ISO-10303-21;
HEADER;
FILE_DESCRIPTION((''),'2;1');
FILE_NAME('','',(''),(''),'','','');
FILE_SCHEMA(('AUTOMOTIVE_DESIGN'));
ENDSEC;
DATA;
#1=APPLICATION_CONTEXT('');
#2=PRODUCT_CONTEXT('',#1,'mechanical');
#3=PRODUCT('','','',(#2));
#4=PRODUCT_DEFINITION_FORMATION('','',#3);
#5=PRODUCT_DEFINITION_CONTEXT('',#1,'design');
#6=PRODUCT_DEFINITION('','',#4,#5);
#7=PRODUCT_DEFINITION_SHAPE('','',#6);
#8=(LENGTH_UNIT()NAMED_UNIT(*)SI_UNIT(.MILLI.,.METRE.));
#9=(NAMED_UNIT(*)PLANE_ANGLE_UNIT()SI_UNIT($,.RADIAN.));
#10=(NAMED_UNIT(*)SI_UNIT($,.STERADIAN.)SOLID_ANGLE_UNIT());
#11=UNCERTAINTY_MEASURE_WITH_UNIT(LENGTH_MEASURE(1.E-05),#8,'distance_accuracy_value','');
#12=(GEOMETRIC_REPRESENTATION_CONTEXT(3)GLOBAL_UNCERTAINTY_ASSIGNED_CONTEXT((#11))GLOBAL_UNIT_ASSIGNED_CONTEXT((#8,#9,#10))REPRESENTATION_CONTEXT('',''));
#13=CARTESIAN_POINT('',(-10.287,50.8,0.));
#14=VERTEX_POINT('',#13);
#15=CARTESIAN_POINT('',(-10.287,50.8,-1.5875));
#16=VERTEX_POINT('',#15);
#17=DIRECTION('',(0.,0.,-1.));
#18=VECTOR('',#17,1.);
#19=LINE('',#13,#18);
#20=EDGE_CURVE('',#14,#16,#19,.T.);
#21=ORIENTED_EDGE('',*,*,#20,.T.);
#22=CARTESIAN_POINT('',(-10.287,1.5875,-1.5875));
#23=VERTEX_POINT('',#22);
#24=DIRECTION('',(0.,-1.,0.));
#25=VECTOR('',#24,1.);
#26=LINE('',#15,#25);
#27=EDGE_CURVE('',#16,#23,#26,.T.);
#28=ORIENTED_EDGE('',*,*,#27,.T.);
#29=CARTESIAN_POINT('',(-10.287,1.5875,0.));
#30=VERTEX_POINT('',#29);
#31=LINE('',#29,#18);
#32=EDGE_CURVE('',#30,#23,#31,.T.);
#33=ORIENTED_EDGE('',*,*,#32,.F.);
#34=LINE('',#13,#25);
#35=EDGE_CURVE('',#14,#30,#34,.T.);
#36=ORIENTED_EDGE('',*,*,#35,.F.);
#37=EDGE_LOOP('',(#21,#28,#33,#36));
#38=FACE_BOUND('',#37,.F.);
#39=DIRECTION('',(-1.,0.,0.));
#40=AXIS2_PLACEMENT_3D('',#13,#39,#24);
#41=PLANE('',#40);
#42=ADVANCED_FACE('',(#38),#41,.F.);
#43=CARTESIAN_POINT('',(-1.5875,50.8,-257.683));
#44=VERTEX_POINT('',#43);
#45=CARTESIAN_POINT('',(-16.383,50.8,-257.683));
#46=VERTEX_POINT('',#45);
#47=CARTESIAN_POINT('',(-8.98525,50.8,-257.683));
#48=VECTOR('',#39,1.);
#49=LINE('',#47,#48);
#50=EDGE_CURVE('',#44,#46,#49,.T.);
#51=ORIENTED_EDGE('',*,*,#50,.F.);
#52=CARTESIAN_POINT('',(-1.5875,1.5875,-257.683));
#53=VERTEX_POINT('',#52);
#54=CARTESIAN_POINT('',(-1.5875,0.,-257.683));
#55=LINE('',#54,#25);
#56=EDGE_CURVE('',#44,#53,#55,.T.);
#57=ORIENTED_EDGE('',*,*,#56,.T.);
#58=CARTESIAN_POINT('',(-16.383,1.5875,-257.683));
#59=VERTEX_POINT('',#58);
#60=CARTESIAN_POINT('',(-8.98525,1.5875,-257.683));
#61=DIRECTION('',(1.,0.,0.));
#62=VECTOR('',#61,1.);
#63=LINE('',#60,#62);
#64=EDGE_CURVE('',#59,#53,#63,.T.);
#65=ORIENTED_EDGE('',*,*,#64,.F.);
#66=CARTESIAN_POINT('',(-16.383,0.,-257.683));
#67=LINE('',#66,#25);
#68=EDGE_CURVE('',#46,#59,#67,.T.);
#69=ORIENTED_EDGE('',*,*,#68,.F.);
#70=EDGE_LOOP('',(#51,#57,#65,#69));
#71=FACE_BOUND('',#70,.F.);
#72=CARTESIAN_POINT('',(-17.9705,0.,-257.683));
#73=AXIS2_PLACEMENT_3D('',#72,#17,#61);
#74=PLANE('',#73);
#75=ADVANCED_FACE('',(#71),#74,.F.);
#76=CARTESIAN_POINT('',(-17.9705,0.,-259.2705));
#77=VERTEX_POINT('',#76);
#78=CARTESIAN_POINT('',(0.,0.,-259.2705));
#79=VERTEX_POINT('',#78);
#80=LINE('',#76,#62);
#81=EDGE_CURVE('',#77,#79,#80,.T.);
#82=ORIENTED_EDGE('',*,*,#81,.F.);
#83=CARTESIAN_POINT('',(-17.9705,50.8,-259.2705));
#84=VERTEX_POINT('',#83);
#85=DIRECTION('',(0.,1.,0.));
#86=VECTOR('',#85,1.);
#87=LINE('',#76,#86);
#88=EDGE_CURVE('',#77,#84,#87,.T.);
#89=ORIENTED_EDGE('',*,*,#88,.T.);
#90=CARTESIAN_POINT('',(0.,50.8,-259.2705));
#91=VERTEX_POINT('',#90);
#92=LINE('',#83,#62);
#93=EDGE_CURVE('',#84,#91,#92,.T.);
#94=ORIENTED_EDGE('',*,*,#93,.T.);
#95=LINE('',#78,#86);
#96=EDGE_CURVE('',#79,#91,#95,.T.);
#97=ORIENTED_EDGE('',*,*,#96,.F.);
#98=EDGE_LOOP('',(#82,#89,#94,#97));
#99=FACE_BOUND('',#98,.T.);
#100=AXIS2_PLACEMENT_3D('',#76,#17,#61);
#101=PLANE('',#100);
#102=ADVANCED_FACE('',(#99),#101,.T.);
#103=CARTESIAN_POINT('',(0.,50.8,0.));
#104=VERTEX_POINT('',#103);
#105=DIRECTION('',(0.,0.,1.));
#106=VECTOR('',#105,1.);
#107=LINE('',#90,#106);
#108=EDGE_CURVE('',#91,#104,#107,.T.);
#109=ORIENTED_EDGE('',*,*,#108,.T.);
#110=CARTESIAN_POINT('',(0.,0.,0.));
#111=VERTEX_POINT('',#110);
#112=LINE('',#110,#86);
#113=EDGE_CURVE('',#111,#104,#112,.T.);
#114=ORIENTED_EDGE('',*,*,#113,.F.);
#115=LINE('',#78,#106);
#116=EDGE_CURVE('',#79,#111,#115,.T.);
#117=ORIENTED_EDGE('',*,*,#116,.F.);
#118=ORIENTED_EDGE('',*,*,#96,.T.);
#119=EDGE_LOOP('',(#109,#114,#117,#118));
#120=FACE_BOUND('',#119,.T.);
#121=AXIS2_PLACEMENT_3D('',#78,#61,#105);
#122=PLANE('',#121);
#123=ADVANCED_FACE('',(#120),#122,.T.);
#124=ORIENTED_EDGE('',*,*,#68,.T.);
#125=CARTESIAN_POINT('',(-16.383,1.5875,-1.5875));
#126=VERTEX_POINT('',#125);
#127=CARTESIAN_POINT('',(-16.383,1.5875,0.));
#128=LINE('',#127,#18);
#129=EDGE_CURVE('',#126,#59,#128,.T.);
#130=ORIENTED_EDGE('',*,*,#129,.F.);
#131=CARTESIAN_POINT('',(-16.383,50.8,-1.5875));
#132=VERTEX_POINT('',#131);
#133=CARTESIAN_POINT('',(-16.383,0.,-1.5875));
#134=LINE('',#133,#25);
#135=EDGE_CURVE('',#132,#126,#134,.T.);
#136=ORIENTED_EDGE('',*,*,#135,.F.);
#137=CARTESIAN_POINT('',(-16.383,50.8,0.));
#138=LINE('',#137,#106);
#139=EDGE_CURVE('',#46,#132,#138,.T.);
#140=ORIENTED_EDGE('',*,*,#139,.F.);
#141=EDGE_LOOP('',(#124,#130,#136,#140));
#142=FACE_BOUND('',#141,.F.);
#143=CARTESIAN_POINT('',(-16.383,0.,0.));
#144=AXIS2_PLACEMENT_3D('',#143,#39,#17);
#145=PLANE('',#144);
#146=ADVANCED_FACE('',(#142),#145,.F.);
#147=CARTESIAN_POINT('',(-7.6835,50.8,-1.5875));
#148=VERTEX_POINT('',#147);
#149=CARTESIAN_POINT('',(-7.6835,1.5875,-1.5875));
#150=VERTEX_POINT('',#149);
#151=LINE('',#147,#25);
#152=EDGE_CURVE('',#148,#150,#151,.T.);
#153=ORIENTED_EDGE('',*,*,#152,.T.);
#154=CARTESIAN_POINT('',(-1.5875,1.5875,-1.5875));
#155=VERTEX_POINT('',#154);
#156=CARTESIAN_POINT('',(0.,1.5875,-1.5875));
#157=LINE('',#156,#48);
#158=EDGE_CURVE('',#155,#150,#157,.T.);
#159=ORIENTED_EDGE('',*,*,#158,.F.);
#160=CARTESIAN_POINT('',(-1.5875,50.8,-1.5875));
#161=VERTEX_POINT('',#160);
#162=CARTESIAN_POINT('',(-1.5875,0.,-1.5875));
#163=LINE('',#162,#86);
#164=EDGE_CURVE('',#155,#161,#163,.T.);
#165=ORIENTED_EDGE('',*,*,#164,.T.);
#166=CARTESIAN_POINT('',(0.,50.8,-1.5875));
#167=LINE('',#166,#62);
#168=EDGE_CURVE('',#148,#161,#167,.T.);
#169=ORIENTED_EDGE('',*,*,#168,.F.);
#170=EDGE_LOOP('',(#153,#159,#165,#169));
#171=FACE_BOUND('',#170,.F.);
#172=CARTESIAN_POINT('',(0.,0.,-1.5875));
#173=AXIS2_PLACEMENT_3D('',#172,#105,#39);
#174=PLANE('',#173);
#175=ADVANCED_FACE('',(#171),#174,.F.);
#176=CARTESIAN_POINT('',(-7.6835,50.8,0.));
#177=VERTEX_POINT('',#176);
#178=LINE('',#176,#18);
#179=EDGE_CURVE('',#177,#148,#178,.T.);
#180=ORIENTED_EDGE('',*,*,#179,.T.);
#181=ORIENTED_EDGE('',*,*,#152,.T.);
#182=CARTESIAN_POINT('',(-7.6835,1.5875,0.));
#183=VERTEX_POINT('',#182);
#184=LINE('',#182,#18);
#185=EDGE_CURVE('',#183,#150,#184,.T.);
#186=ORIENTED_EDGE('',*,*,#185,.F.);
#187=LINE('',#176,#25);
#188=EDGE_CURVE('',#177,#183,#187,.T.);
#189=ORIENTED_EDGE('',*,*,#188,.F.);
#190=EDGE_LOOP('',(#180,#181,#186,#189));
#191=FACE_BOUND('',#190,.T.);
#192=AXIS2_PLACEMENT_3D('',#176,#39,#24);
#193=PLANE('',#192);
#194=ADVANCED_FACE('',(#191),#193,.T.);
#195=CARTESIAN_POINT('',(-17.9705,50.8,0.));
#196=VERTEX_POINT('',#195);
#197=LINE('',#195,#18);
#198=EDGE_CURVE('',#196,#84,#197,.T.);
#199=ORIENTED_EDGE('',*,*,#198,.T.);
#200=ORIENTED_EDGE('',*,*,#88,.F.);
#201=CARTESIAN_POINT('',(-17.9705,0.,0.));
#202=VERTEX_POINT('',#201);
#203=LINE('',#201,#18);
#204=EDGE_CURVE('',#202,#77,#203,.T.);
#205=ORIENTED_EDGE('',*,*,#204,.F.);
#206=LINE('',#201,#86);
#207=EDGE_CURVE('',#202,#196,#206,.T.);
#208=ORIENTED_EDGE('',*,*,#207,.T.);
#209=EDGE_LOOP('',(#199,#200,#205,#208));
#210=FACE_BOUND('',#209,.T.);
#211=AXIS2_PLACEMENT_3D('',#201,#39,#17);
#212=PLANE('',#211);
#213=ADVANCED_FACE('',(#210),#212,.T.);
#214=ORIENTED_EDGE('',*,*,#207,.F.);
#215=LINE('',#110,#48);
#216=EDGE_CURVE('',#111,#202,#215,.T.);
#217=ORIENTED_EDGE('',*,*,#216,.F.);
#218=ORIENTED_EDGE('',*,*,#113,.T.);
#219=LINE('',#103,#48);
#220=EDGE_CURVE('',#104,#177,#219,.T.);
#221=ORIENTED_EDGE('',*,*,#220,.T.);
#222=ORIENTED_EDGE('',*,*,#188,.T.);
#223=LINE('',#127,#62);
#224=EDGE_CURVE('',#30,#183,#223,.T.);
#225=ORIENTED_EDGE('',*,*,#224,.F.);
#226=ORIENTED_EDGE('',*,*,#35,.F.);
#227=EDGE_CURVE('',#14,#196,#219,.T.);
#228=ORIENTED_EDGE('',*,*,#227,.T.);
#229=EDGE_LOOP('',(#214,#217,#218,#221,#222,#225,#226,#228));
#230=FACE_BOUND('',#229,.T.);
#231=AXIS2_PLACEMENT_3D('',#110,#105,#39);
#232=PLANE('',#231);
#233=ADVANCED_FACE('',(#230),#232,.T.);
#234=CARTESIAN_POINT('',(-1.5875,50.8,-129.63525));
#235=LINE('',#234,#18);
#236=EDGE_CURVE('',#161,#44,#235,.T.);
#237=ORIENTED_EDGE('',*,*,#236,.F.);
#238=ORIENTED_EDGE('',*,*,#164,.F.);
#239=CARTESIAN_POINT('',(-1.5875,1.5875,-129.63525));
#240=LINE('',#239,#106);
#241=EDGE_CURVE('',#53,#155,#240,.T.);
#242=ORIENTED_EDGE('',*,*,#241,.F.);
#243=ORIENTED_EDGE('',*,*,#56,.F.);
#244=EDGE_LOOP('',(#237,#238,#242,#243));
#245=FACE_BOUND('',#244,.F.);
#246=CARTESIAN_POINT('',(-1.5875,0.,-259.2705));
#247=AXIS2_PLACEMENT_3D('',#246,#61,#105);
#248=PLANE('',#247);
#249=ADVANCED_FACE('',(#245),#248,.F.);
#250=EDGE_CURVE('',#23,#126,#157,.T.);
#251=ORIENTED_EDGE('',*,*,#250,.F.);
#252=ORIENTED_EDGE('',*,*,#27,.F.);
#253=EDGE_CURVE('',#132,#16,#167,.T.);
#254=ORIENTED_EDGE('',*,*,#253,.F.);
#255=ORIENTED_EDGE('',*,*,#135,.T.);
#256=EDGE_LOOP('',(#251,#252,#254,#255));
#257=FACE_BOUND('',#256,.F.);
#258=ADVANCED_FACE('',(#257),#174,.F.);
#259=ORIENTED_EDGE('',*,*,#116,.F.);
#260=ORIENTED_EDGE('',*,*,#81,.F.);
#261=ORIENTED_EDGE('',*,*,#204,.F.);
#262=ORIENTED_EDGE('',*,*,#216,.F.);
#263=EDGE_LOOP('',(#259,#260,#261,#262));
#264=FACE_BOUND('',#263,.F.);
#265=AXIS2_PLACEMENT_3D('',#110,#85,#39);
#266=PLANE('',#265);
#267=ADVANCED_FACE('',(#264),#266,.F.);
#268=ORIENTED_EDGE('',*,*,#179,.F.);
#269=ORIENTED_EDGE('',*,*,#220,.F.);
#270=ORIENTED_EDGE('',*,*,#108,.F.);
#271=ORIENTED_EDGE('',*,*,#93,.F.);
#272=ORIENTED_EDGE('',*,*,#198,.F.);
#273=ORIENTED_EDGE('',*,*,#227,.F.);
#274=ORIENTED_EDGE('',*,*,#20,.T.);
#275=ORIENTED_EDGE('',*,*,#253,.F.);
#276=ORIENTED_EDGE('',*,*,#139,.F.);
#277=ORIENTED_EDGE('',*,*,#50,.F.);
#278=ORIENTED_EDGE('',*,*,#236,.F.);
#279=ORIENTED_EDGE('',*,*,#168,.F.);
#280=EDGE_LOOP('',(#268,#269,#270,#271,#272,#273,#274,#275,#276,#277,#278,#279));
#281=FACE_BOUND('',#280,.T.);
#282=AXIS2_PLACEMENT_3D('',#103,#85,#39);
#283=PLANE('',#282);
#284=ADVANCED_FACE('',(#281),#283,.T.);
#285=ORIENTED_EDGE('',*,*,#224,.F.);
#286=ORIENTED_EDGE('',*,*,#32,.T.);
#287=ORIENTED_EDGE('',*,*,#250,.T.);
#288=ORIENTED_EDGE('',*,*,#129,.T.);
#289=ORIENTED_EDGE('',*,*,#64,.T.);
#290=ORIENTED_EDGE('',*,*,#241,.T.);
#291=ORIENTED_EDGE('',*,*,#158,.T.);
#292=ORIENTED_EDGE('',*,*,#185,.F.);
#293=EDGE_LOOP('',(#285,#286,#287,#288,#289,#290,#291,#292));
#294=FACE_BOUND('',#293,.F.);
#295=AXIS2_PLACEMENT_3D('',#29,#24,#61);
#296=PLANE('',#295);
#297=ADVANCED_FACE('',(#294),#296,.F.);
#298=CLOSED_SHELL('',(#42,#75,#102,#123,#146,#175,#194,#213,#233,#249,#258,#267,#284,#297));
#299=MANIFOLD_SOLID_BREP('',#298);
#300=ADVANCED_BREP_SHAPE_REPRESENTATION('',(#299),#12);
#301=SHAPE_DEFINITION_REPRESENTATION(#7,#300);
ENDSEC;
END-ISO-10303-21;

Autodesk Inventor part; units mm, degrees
ref_plane "YZ Plane" through (0, 0, 0) normal (1, 0, 0) x (0, 1, 0)
ref_plane "XZ Plane" through (0, 0, 0) normal (0, 1, 0) x (-1, 0, 0)
ref_plane "XY Plane" through (0, 0, 0) normal (0, 0, 1) x (1, 0, 0)
sketch "Sketch1" plane through (0, 0, 0) normal (0, 1, 0) x (-1, 0, 0)
  line L0 (0, 0) -> (17.9705, 0)
  line L1 (17.9705, 0) -> (17.9705, -259.2705)
  line L2 (17.9705, -259.2705) -> (0, -259.2705)
  line L3 (0, -259.2705) -> (0, 0)
  dimension "d0" = 17.9705
  dimension "d1" = 259.2705
extrude "Extrusion1" add sketch "Sketch1" along normal blind 50.8
shell "Shell1" thickness 1.5875 removed faces 1 at (-5.9902, 50.8, -172.847)
sketch "Sketch2" plane through (-17.9705, 0, 0) normal (0, 0, 1) x (1, 0, 0)
  line L0 (17.9705, 50.8) -> (0, 50.8) projected
  line L1 (1.5875, 1.5875) -> (16.383, 1.5875) projected
  line L2 (1.5875, 50.8) -> (16.383, 50.8)
  line L3 (16.383, 50.8) -> (16.383, 1.5875)
  line L4 (16.383, 1.5875) -> (1.5875, 1.5875)
  line L5 (1.5875, 1.5875) -> (1.5875, 50.8)
  line L6 (1.5875, 1.5875) -> (1.5875, 50.8) projected
  line L7 (7.6835, 50.8) -> (7.6835, 1.5875)
  line L8 (10.287, 50.8) -> (10.287, 1.5875)
  point P0 (17.9705, 0)
  point P1 (10.287, 1.5875)
  point P2 (7.6835, 1.5875)
  dimension "d5" = 0
  dimension "d6" = 6.096
  dimension "d7" = 6.096
extrude "Extrusion2" cut sketch "Sketch2" against normal blind 1.5875 contours L8 L1 L7 L0
properties part number "Wall Lift Test Case"
